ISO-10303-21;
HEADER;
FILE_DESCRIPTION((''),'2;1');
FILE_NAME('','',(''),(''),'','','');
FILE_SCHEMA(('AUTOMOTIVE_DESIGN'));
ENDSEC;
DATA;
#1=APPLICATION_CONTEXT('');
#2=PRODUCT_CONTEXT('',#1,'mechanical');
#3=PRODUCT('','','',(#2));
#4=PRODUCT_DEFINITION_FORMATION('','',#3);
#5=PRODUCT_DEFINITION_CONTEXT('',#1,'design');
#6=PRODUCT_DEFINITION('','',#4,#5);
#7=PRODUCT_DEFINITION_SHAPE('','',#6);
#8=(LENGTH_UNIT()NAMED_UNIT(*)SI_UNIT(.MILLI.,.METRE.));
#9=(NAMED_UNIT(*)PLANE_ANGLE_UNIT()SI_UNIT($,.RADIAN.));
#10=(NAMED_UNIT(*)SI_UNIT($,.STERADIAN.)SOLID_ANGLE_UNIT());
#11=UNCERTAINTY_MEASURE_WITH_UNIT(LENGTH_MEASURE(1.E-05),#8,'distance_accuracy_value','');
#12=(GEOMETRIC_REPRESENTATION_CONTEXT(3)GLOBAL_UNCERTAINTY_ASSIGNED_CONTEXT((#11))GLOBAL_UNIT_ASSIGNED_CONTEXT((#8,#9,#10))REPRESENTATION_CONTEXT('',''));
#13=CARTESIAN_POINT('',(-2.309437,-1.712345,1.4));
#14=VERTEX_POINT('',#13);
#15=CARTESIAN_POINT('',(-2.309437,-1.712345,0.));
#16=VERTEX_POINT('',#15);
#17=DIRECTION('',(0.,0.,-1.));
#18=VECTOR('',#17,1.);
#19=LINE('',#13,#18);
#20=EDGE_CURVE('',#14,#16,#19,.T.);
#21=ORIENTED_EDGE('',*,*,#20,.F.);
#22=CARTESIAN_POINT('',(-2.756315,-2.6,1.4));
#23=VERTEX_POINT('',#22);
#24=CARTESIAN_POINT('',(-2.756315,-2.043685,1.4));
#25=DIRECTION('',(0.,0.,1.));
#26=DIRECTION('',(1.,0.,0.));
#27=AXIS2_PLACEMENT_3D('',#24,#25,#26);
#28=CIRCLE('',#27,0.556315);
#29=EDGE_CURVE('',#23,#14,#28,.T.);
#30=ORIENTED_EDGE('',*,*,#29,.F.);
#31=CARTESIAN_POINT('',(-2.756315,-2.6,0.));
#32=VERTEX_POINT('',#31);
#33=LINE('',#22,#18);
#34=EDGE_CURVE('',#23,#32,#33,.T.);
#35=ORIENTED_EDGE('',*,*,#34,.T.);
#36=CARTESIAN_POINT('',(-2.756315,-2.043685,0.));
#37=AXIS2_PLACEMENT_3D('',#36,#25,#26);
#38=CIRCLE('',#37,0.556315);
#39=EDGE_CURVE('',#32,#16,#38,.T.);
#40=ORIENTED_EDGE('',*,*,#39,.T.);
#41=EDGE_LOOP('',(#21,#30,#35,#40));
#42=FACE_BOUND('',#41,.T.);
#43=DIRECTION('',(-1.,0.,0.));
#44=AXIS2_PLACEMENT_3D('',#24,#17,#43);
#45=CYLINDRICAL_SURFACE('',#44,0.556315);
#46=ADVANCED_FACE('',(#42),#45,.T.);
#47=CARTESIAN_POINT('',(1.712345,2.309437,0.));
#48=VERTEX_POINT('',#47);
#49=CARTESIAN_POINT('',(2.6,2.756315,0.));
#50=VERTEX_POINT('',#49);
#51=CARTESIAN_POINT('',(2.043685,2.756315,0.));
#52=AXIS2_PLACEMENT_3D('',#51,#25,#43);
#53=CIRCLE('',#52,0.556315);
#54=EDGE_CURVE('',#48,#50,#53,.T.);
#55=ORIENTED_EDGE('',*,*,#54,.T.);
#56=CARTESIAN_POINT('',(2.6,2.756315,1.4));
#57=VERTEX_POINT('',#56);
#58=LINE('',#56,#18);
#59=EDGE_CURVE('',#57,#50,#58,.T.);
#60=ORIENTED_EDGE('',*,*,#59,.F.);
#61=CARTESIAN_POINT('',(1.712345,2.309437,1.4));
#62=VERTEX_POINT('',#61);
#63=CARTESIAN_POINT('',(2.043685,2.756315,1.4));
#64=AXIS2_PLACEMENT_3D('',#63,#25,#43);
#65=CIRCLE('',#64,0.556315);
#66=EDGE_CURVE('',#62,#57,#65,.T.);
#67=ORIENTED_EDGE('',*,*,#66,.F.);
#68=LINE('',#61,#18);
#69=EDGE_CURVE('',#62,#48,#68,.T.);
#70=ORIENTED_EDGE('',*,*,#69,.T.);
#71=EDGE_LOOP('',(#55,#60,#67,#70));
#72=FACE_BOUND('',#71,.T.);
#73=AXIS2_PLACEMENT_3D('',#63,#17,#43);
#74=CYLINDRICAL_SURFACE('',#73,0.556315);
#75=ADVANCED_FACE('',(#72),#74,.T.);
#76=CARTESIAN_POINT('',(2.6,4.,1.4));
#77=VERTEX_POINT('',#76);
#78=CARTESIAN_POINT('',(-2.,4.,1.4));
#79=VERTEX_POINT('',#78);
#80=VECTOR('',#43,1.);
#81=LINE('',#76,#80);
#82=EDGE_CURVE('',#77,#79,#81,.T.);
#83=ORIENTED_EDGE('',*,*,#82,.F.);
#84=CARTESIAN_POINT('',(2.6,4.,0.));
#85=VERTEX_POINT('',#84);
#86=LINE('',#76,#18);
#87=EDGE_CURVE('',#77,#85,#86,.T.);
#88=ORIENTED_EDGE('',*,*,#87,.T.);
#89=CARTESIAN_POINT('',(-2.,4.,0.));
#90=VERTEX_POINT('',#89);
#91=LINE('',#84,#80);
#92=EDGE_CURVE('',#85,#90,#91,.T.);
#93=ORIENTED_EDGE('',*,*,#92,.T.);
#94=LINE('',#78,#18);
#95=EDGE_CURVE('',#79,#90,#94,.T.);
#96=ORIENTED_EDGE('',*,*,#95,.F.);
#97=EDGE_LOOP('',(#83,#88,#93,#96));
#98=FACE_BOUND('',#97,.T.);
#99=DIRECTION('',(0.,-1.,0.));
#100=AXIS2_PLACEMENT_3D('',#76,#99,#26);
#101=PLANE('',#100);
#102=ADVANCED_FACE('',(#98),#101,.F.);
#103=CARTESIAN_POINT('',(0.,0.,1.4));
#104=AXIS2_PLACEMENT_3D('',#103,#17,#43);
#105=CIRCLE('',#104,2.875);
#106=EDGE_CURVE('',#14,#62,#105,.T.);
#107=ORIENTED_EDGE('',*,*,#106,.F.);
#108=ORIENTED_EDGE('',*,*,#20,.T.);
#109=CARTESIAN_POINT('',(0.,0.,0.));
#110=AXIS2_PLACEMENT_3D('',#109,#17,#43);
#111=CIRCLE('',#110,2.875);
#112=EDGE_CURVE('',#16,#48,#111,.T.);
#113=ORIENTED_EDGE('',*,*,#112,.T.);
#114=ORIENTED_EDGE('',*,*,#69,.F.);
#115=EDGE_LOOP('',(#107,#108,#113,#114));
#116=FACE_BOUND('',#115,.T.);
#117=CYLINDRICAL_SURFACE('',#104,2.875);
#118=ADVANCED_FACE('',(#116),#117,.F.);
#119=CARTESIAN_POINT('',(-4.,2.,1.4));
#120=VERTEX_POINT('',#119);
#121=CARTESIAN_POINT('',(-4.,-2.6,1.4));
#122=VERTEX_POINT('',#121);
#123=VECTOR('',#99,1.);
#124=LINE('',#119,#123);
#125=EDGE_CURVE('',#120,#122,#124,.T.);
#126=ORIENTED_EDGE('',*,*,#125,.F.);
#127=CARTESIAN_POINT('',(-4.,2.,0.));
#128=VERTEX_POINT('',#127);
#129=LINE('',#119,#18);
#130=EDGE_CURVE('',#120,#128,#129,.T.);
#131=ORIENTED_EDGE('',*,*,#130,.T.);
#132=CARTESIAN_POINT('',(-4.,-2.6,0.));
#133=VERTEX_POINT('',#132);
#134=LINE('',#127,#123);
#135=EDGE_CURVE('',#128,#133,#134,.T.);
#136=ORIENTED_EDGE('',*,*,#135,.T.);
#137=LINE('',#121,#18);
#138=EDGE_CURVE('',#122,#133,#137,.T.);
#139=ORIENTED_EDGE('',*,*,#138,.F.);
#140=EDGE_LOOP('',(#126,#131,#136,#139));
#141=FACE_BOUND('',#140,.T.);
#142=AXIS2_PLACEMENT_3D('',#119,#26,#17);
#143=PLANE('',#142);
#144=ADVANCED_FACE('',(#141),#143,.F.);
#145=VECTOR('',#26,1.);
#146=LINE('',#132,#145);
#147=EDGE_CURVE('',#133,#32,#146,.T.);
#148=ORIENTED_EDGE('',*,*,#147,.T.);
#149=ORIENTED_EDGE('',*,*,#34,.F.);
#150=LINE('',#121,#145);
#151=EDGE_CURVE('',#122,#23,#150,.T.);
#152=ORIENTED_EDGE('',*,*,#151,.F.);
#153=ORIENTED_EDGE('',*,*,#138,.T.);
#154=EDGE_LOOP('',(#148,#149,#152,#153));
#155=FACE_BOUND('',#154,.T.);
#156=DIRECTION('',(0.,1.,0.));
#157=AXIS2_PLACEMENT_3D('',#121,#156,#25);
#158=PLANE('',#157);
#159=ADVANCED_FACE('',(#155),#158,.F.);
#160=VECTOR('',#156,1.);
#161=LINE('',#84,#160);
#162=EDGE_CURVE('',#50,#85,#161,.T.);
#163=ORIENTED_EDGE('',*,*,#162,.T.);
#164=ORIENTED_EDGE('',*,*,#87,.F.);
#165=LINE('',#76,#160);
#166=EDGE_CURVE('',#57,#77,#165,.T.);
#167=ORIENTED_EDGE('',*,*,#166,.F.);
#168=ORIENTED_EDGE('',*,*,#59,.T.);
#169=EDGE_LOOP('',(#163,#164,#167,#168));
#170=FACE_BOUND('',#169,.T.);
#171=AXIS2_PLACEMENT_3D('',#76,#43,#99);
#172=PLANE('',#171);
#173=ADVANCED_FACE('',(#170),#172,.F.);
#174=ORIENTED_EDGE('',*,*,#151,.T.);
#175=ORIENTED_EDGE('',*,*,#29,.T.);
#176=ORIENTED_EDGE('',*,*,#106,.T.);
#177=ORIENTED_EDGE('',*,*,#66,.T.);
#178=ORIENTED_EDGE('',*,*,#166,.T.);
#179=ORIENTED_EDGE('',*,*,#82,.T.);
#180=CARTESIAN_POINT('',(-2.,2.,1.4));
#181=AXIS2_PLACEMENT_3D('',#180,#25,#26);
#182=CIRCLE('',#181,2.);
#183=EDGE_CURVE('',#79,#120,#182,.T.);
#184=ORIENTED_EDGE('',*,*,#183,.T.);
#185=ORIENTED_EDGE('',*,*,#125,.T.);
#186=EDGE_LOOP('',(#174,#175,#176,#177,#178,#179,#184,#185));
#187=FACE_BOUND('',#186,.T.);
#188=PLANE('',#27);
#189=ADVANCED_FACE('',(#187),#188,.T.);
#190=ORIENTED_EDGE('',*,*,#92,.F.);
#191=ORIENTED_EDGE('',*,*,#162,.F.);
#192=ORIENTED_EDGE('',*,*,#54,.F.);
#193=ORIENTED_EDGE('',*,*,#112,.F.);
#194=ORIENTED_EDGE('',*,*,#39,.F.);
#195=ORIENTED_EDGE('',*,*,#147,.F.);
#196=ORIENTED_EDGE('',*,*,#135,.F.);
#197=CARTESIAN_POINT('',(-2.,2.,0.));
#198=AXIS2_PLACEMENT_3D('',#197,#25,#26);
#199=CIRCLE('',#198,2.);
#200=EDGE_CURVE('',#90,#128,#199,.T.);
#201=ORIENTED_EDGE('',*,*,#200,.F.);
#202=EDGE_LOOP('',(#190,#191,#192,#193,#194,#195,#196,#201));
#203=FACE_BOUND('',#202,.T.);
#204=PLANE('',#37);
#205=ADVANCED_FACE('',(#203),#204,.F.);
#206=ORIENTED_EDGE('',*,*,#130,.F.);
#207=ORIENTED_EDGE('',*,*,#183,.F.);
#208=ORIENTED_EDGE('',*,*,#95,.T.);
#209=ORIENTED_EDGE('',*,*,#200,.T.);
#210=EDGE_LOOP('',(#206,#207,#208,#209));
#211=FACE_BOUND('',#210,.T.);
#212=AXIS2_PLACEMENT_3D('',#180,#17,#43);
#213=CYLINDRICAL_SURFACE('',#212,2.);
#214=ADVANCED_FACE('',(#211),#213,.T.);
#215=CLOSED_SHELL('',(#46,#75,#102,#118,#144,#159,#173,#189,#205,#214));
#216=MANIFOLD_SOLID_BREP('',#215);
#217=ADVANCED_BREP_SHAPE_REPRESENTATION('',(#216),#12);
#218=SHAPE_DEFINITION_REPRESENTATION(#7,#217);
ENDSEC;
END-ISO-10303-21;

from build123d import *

# Parameters (mm, degrees)
SALIENTE_EXTRUIR1_DEPTH = 1.4


with BuildPart() as part:
    # Croquis1 → Saliente-Extruir1 (new body)
    with BuildSketch(Plane.XY):
        with BuildLine():
            Line((2.6, 4), (-2, 4))
            ThreePointArc((-2, 4), (-3.414213562, 3.414213562), (-4, 2))
            Line((-4, 2), (-4, -2.6))
            Line((-4, -2.6), (-2.756314656, -2.6))
            ThreePointArc((-2.756314656, -2.6), (-2.259416606, -2.293841943), (-2.309436887, -1.712345253))
            ThreePointArc((-2.309436887, -1.712345253), (-2.032931996, 2.032931996), (1.712345253, 2.309436887))
            ThreePointArc((1.712345253, 2.309436887), (2.293841943, 2.259416606), (2.6, 2.756314656))
            Line((2.6, 2.756314656), (2.6, 4))
        make_face()
    extrude(amount=SALIENTE_EXTRUIR1_DEPTH)


solid = part.part
